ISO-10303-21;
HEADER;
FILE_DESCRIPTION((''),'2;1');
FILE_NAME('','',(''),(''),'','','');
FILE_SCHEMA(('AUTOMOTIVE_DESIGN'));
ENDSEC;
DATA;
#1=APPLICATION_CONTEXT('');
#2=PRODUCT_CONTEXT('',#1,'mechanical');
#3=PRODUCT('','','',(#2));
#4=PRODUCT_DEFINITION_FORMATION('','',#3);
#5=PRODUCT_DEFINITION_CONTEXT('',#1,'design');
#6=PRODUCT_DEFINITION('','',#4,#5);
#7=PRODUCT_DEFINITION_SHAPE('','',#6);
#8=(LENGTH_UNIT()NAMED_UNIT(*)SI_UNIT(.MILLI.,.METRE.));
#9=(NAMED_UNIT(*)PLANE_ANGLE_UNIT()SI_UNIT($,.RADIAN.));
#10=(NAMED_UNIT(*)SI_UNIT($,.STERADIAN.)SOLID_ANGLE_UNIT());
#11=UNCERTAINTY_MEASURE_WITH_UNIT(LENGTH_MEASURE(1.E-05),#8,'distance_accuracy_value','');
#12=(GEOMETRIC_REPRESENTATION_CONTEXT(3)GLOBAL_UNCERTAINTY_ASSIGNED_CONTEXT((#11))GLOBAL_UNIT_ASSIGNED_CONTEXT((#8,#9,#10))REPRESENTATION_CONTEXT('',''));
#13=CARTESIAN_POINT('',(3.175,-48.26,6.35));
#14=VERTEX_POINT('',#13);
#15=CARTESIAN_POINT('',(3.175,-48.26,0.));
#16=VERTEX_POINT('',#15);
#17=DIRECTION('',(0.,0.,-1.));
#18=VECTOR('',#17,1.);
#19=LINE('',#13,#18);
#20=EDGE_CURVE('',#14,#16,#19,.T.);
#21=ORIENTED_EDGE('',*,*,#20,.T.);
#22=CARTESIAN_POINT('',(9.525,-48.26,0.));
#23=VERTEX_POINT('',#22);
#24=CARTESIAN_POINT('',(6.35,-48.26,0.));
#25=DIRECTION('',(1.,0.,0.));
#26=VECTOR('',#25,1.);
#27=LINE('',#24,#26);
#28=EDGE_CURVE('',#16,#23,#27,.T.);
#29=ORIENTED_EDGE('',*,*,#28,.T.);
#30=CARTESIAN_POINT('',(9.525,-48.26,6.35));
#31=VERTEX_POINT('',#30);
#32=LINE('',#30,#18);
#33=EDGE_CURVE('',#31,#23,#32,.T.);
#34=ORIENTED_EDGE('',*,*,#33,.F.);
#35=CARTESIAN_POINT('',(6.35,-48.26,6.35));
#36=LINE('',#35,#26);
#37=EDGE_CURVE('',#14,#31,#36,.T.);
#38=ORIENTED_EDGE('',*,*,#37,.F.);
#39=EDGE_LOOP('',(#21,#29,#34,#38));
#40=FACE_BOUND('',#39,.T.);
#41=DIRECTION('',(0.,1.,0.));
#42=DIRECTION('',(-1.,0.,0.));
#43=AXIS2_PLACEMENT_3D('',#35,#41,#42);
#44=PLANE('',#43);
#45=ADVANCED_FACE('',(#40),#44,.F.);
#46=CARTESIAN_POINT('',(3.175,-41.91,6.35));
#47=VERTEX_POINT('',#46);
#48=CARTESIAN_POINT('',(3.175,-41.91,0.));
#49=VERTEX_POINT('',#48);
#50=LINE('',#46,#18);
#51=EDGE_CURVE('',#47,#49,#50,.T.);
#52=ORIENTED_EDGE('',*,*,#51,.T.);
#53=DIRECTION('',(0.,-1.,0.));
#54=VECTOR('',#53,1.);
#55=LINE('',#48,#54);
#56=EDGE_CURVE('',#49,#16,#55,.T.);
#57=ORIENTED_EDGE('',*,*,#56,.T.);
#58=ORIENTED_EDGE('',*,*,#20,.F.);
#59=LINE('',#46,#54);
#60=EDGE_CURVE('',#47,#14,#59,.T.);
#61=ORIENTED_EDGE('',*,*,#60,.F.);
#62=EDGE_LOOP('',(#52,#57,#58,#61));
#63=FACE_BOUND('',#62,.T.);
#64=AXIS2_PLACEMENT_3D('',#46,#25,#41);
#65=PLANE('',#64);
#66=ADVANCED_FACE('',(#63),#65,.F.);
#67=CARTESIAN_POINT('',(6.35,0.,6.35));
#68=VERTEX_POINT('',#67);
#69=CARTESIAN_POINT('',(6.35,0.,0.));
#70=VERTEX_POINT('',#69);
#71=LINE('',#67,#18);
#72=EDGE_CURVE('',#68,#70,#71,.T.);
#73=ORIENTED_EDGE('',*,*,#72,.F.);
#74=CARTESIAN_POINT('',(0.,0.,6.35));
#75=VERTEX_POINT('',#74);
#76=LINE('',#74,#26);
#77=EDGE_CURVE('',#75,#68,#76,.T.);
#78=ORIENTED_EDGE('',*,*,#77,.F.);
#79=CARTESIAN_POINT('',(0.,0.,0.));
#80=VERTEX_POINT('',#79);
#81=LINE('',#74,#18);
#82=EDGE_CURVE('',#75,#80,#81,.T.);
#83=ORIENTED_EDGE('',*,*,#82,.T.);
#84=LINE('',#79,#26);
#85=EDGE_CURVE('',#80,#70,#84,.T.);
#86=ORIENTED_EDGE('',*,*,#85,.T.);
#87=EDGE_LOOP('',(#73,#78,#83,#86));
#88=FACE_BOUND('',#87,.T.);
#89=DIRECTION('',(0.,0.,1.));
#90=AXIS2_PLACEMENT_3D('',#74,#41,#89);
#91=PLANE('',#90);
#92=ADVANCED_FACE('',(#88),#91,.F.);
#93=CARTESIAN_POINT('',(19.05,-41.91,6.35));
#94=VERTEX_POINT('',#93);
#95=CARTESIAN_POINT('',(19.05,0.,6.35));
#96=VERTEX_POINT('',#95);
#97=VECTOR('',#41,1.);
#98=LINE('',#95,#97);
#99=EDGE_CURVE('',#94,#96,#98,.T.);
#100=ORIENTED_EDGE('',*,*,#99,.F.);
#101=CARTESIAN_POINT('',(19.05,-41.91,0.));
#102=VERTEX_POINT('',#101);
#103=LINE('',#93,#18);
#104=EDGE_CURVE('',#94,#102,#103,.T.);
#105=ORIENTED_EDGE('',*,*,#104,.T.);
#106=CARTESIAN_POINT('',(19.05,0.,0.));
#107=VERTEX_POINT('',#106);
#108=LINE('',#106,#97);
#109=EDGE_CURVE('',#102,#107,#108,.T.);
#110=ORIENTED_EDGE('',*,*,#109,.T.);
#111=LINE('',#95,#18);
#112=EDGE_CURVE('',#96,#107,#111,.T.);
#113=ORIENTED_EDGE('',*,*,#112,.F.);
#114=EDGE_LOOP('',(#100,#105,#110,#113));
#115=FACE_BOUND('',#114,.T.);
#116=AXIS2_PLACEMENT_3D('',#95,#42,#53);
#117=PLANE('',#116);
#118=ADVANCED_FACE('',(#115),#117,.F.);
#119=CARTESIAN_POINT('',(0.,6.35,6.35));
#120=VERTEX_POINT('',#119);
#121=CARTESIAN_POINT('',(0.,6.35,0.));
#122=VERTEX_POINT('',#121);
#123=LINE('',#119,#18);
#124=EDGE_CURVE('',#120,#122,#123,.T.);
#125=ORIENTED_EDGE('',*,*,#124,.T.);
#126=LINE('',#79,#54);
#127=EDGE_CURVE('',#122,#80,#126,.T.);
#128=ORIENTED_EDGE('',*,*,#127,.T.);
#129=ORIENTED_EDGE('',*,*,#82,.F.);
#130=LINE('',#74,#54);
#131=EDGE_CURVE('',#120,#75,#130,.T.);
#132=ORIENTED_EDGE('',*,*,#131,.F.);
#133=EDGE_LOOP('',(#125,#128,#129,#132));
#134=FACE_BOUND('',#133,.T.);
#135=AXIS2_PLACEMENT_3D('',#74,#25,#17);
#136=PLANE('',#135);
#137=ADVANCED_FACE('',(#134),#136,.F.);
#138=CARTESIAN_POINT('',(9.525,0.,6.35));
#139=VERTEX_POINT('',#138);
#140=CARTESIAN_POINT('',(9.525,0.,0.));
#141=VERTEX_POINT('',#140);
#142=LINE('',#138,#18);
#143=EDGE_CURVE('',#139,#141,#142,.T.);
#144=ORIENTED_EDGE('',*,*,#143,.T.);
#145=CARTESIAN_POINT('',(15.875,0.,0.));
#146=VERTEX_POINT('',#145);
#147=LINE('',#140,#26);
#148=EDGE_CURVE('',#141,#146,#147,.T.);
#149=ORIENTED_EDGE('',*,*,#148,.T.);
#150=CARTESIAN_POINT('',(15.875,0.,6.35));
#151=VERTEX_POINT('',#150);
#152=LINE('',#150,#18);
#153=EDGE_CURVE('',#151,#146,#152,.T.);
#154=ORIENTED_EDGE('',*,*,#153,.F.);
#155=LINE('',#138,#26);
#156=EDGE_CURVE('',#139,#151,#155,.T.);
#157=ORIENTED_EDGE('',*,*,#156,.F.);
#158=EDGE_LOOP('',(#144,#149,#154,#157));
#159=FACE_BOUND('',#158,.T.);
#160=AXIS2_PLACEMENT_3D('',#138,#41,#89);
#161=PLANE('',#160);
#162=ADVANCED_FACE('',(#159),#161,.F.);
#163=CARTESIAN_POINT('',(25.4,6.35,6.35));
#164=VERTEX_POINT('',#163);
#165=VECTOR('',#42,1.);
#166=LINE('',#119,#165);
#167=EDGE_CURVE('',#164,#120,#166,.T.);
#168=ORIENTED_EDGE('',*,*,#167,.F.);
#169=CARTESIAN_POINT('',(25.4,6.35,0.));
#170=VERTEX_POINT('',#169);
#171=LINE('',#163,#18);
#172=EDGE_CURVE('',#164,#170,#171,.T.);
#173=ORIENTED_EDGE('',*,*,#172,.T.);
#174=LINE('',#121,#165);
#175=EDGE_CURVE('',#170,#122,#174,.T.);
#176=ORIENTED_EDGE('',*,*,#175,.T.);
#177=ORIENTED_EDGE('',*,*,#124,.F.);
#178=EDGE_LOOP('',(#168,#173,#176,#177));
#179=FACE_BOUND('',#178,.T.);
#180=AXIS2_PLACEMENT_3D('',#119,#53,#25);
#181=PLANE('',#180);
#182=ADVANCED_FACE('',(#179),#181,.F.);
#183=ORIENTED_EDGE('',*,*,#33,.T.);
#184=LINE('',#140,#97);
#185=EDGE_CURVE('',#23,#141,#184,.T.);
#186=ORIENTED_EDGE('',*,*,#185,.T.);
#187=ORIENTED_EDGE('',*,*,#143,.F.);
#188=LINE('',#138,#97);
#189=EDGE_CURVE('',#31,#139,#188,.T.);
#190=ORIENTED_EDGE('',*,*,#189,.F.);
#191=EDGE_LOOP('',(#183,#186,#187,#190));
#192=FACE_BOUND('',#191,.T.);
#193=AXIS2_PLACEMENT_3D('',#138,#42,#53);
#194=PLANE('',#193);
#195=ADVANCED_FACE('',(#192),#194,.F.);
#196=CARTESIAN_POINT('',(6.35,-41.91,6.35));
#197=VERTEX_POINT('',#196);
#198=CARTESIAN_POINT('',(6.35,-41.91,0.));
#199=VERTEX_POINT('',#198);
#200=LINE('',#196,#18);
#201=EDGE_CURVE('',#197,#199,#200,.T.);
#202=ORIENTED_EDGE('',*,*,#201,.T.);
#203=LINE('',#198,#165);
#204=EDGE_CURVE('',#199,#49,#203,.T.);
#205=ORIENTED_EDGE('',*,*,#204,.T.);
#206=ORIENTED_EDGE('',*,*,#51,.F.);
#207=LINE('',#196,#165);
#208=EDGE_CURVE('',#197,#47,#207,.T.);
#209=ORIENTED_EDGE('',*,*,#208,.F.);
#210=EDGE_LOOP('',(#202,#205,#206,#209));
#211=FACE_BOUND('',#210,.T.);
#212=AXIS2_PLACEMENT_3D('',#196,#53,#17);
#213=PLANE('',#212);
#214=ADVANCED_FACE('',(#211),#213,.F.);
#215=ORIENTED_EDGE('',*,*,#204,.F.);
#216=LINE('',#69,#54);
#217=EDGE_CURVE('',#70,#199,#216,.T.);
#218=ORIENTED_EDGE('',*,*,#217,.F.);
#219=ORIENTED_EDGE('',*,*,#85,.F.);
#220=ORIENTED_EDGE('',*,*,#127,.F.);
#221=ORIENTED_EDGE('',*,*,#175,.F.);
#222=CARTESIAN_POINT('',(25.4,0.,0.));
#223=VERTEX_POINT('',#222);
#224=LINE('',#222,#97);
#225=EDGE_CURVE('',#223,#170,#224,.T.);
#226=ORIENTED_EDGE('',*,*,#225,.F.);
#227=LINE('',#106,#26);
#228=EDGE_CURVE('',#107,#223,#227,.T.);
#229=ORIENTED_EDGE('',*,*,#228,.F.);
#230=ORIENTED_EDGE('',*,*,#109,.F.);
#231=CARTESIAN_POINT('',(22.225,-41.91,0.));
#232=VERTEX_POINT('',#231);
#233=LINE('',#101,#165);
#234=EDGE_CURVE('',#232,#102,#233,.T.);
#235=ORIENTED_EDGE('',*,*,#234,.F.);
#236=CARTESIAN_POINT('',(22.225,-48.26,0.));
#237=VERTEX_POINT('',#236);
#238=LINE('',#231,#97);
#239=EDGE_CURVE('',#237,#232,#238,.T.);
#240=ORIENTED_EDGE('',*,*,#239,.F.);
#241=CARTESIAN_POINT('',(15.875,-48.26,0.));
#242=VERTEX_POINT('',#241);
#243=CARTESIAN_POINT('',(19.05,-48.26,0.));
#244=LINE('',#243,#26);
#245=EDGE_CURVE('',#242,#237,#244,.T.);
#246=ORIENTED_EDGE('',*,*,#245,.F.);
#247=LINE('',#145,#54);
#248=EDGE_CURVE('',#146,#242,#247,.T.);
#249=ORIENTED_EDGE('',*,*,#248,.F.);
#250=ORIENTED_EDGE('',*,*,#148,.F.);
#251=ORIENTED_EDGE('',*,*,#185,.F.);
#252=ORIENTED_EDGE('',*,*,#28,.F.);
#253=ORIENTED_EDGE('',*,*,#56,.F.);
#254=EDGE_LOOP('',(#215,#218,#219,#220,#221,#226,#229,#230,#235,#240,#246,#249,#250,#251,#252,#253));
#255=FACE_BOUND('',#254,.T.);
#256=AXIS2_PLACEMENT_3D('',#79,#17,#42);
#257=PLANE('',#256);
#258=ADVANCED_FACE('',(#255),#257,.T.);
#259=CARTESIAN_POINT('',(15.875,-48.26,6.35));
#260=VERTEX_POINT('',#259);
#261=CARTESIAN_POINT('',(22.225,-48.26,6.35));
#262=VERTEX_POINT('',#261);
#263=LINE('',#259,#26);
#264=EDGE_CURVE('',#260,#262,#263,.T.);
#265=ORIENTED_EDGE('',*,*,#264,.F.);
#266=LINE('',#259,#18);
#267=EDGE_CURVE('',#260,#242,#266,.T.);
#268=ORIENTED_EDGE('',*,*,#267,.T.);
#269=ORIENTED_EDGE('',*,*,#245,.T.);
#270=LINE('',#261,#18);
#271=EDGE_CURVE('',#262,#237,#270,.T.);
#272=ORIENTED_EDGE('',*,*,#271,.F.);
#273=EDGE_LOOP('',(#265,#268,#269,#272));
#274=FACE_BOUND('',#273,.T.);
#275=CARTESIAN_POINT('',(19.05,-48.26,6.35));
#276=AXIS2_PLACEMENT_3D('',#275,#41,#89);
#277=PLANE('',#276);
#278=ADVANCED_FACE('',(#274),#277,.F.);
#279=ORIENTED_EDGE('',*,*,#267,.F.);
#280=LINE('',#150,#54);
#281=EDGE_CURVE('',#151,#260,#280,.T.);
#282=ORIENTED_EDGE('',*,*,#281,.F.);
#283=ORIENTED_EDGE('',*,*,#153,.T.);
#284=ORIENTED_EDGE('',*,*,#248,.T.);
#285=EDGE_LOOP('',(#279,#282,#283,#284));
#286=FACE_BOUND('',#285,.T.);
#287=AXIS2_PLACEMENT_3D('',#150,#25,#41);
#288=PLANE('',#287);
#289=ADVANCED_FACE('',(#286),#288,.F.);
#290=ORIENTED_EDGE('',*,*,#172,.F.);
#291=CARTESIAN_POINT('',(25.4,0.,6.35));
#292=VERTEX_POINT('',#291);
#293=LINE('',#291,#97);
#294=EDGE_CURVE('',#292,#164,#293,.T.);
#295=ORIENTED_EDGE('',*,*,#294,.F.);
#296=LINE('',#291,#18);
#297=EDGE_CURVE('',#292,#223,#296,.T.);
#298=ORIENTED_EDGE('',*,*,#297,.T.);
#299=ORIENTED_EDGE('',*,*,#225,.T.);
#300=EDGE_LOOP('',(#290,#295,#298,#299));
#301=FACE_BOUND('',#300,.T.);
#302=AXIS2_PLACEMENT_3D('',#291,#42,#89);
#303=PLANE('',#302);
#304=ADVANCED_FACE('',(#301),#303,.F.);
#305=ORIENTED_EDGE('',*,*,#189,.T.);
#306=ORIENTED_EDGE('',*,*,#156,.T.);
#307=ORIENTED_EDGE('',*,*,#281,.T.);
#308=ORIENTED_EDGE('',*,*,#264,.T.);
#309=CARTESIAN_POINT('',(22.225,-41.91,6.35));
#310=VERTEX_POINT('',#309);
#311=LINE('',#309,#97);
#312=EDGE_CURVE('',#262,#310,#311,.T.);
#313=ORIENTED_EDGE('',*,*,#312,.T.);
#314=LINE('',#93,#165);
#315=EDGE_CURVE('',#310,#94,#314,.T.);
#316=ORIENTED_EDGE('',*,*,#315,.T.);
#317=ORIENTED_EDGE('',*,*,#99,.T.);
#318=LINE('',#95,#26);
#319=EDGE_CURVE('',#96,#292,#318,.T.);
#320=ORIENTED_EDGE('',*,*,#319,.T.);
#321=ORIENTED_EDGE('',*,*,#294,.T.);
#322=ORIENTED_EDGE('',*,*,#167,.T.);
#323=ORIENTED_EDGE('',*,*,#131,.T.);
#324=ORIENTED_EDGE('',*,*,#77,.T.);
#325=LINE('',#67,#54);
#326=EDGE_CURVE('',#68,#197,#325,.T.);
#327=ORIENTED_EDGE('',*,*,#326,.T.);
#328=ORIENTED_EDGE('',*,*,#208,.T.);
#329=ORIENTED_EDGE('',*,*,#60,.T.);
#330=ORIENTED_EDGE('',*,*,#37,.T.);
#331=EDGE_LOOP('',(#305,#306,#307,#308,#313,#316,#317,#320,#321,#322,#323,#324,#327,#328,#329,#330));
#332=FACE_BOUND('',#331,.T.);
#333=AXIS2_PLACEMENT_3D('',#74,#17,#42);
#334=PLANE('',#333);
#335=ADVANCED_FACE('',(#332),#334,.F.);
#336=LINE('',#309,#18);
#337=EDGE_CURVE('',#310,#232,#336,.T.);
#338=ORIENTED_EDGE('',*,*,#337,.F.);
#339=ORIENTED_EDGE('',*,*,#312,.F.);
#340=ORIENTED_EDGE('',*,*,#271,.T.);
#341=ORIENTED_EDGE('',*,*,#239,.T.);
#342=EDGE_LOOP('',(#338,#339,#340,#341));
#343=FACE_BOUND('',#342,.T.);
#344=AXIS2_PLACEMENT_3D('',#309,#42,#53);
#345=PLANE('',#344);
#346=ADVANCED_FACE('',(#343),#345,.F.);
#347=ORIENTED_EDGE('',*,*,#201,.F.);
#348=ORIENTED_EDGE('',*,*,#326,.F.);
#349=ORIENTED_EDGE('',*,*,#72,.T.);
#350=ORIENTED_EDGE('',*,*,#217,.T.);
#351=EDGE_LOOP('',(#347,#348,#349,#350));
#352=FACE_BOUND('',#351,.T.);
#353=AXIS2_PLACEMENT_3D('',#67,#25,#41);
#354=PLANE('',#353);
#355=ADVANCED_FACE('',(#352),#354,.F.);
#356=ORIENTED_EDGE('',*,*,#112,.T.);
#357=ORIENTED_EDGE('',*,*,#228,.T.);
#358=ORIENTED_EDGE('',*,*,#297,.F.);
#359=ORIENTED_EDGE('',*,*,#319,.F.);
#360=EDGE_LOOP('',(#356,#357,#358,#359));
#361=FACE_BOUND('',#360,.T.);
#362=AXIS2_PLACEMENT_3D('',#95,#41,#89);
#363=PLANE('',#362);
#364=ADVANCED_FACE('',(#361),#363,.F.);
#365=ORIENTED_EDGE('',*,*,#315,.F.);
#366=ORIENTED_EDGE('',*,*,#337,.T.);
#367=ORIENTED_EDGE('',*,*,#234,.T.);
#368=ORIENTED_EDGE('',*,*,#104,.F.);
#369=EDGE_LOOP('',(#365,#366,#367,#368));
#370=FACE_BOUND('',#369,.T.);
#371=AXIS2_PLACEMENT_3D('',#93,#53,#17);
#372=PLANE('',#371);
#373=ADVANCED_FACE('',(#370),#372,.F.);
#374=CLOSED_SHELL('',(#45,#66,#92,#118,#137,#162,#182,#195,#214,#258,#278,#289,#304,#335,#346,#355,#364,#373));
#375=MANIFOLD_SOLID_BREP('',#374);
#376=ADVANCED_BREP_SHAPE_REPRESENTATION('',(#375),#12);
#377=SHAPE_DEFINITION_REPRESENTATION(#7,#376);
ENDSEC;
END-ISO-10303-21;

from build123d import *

# Parameters (mm, degrees)
BOSS_EXTRUDE1_DEPTH = 6.35


with BuildPart() as part:
    # Sketch1 → Boss-Extrude1 (new body)
    with BuildSketch(Plane.XY):
        Polygon((0, 0), (6.35, 0), (6.35, -41.91), (3.175, -41.91), (3.175, -48.26), (6.35, -48.26), (9.525, -48.26), (9.525, 0), (15.875, 0), (15.875, -48.26), (19.05, -48.26), (22.225, -48.26), (22.225, -41.91), (19.05, -41.91), (19.05, 0), (25.4, 0), (25.4, 6.35), (0, 6.35), align=None)
    extrude(amount=BOSS_EXTRUDE1_DEPTH)


solid = part.part
